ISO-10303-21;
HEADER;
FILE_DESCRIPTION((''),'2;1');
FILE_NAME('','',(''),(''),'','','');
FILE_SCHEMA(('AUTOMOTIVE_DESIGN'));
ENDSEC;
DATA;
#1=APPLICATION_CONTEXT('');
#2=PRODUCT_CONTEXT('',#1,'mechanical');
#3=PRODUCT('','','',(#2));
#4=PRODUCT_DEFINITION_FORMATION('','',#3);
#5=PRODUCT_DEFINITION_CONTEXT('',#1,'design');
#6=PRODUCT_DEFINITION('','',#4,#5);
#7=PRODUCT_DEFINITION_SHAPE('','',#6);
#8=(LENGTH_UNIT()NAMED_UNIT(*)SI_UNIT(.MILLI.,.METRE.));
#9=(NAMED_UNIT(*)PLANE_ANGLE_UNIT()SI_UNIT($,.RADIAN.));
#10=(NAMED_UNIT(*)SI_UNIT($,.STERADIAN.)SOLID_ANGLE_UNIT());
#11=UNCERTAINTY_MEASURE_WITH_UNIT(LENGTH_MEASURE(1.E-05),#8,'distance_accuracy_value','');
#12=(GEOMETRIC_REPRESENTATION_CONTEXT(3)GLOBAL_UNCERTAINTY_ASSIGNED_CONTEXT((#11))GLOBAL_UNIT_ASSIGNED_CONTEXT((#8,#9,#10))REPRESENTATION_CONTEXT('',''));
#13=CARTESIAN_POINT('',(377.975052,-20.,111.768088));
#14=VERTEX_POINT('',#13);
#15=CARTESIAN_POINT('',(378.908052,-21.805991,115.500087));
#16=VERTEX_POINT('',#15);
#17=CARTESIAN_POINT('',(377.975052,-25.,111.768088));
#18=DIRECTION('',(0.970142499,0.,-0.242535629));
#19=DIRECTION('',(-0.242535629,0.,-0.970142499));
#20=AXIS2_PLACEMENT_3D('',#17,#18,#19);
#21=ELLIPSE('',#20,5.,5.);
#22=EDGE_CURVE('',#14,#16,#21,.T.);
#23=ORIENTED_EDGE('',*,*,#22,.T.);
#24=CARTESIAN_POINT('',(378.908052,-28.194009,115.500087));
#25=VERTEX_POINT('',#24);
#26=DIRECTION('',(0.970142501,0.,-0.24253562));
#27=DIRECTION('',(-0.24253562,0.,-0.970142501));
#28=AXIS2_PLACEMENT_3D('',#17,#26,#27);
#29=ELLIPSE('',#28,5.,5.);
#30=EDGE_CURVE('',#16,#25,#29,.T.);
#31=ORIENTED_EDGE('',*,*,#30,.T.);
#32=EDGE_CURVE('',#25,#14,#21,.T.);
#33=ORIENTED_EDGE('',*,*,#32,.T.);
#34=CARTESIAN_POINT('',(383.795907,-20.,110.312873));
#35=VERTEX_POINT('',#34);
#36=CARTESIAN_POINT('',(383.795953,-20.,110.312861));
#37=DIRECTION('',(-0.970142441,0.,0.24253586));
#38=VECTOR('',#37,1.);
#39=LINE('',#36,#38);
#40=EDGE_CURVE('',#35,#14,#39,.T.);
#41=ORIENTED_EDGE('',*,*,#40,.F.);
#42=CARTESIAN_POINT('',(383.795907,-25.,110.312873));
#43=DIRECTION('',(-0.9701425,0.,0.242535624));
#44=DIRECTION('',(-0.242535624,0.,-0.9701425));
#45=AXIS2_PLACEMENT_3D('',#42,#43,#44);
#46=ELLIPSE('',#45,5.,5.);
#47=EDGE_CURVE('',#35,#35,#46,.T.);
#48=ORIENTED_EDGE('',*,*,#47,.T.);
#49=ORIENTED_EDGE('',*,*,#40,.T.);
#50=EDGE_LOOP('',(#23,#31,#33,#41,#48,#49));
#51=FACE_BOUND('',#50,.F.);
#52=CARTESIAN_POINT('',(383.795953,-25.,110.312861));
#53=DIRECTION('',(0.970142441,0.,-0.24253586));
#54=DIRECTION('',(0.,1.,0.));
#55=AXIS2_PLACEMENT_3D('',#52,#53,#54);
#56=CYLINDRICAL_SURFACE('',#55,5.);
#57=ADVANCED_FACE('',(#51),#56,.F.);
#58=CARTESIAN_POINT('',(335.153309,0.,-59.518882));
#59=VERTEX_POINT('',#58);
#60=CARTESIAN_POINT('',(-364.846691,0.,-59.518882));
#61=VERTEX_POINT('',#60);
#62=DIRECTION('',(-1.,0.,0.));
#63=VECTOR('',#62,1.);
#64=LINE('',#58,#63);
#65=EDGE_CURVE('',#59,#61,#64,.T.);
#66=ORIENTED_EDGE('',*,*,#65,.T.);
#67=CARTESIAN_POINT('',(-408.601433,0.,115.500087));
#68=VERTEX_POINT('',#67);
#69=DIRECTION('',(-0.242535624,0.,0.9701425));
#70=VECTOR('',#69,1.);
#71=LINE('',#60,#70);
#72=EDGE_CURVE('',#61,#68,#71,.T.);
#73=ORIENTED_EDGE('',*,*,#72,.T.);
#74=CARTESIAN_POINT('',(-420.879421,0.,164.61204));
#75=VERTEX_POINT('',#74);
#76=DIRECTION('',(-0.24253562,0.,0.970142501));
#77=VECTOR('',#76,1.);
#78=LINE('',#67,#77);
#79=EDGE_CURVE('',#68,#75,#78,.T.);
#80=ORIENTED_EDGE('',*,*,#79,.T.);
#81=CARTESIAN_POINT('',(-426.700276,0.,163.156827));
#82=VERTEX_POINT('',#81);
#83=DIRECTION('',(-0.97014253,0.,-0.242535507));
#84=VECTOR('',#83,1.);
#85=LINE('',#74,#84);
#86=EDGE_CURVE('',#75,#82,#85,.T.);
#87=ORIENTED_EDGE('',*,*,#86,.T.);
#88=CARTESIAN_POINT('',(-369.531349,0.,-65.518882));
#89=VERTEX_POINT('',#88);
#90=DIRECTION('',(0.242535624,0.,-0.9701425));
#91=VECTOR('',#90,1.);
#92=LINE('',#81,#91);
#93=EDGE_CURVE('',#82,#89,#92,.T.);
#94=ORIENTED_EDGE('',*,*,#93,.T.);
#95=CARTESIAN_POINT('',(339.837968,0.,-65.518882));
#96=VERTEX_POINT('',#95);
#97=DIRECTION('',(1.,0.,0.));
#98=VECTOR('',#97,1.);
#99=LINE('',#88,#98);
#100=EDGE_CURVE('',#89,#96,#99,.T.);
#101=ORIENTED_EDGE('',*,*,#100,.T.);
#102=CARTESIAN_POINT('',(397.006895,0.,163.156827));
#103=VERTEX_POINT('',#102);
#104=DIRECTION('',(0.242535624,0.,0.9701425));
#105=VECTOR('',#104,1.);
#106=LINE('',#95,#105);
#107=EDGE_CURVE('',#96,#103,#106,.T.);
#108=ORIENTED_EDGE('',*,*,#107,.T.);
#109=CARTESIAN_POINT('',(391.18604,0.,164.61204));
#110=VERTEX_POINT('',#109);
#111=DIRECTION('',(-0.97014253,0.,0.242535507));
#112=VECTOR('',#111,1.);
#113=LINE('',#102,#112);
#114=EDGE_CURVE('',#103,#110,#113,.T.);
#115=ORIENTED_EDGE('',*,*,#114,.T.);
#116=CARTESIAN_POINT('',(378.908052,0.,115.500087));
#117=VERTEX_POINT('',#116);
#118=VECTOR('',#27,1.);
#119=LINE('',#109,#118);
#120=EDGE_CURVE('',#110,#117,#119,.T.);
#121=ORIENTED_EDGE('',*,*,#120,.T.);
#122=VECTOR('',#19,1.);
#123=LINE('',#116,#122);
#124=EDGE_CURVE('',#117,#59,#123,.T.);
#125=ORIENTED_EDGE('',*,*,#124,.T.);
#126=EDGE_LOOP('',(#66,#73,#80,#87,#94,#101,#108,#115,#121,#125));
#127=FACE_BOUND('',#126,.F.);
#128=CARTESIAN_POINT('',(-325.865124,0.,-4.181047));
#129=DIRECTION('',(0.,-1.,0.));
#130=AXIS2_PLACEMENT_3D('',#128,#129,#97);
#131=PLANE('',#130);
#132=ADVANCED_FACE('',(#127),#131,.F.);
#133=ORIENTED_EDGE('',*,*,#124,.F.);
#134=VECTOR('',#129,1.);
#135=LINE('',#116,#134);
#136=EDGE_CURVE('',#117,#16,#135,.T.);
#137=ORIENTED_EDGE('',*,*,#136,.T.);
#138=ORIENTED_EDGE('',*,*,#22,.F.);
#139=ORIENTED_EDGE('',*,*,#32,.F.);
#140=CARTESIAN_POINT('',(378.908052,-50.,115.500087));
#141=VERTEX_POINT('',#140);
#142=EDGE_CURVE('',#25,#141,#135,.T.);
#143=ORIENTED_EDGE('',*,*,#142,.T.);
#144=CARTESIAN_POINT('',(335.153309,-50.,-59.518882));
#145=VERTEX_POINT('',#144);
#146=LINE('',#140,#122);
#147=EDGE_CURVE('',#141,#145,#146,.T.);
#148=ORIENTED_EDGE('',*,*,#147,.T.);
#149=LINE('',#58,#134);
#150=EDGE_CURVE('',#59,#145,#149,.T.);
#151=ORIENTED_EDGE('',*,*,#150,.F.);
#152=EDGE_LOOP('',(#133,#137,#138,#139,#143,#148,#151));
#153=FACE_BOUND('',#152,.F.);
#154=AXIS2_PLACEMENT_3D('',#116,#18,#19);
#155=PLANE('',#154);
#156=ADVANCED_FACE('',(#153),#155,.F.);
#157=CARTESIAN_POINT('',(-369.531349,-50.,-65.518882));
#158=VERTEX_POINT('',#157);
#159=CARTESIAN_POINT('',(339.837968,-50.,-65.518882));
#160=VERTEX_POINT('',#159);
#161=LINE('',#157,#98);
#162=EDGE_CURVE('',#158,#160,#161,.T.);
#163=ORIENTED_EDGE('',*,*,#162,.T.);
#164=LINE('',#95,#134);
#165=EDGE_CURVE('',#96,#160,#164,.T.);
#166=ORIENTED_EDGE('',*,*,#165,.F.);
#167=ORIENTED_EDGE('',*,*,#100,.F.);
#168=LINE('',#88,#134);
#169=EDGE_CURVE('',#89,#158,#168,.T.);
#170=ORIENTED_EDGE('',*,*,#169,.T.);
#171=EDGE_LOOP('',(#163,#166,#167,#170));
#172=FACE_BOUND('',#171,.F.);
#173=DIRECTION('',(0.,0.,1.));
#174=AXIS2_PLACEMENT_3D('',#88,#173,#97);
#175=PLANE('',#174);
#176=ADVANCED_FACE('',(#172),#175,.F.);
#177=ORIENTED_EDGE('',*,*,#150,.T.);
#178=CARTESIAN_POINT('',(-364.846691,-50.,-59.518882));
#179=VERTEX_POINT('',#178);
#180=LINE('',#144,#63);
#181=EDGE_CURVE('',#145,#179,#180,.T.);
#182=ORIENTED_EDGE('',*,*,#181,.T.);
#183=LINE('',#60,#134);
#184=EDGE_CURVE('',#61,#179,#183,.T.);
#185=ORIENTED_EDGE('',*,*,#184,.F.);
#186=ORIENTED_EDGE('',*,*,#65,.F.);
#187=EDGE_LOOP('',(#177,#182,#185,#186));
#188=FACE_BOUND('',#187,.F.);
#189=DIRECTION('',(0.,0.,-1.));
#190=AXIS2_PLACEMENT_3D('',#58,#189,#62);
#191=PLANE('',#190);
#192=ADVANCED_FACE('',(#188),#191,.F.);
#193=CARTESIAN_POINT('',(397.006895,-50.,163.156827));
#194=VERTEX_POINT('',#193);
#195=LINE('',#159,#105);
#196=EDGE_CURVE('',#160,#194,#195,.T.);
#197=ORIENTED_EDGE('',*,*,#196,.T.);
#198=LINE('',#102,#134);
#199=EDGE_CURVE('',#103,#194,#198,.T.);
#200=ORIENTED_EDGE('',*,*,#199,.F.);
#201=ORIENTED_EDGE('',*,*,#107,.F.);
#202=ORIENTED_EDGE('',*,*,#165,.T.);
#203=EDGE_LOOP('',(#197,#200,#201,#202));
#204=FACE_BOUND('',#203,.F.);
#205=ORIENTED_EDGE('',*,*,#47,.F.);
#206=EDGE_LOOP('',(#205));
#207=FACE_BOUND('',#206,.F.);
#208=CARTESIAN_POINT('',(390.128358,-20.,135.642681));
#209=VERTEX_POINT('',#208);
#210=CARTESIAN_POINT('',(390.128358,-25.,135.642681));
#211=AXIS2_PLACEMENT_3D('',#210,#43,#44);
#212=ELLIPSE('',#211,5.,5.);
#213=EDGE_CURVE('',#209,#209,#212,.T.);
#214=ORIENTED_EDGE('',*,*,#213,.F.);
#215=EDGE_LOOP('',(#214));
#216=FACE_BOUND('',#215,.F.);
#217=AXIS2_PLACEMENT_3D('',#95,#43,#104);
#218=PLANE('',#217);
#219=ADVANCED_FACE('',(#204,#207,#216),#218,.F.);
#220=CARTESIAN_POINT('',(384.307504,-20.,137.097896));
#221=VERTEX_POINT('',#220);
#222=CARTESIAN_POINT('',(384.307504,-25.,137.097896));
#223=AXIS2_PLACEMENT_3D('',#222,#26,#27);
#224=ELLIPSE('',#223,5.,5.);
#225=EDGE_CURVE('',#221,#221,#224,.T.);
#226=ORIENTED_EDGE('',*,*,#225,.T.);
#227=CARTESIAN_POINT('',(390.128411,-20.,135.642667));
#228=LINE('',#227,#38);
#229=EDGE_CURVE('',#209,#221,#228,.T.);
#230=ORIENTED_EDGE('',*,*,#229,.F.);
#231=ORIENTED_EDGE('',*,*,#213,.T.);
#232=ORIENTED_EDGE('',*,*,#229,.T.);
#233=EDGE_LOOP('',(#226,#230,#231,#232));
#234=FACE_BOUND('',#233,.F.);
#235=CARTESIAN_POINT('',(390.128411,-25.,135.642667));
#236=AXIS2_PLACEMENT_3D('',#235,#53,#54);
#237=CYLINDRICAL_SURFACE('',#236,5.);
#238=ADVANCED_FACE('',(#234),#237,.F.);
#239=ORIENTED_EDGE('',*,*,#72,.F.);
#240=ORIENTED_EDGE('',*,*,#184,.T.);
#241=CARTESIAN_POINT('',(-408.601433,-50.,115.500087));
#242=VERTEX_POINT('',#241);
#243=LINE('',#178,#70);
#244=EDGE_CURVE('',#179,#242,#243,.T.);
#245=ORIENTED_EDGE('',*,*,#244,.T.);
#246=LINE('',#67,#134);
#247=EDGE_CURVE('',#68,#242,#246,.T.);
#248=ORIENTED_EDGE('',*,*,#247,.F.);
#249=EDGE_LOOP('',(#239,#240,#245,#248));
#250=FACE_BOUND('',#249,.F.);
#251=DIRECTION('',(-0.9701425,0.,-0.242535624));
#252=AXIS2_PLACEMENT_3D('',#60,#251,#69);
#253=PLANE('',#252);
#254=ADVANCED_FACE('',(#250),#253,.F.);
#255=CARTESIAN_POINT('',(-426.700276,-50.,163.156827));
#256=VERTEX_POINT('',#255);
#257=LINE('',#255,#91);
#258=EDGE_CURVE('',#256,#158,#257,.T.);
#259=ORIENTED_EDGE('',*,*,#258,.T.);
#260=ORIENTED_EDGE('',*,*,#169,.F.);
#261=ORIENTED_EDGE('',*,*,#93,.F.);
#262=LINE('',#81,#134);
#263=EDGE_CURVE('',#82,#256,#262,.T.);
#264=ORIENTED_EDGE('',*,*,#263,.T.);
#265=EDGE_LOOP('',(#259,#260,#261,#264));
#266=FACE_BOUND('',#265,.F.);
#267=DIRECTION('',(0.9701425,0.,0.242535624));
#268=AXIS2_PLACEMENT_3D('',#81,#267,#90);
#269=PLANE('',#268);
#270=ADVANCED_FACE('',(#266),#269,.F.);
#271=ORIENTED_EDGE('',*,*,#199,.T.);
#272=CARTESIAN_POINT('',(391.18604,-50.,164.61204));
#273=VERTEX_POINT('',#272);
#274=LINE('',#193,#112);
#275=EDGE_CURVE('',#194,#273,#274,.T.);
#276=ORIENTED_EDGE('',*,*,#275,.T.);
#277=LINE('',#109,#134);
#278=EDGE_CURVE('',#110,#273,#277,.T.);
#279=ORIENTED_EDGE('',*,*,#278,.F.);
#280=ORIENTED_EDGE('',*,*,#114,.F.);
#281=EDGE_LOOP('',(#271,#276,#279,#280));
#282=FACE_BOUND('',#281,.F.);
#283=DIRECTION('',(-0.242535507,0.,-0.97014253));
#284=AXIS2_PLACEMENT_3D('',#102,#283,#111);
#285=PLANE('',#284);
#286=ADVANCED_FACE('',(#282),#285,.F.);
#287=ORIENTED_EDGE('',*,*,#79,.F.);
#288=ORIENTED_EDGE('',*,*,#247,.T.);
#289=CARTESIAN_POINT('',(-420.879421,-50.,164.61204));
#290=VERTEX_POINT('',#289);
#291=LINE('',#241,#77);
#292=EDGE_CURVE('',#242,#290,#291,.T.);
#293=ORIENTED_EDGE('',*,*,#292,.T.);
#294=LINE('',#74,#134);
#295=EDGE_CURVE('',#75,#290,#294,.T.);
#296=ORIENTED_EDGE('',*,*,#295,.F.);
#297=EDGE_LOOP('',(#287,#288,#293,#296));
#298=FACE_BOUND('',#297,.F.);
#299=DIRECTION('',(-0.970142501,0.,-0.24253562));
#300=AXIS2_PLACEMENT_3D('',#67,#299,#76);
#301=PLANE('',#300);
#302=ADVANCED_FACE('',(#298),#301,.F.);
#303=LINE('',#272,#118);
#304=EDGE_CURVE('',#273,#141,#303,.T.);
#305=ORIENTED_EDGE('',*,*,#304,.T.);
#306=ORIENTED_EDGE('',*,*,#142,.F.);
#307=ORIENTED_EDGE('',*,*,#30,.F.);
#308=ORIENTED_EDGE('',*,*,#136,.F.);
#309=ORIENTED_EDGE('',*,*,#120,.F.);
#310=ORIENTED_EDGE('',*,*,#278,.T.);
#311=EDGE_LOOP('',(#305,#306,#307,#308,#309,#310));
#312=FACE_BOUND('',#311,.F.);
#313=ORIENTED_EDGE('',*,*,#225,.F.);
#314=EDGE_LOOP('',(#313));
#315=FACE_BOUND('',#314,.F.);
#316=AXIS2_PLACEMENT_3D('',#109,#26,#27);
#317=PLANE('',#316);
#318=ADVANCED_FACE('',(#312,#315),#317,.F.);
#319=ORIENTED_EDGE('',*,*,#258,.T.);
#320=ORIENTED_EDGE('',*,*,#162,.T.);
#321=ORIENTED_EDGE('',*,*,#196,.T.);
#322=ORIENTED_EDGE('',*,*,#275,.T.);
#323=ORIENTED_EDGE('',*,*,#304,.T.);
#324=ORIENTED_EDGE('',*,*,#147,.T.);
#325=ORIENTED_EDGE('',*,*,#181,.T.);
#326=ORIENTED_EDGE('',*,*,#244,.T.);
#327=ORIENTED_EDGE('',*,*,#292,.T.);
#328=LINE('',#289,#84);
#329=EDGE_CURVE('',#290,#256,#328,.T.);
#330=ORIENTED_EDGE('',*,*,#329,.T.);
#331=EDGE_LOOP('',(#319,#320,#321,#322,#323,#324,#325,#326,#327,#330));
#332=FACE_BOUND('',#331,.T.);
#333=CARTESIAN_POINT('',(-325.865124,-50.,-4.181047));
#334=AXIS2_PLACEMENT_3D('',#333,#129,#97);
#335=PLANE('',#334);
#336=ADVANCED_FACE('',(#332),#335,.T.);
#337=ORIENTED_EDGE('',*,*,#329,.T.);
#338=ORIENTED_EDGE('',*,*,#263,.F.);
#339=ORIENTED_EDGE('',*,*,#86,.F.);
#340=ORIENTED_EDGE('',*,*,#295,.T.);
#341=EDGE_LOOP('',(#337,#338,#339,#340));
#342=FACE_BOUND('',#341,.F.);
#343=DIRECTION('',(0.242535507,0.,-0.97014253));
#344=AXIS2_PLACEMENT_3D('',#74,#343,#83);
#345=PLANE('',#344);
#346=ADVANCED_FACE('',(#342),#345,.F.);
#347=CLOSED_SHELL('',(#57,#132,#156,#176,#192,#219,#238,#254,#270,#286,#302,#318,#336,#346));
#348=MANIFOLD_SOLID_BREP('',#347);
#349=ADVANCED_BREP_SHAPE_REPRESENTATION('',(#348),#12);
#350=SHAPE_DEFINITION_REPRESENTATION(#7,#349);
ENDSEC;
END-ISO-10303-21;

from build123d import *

# Parameters (mm, degrees)
F1_DEPTH = 50
F2_R     = 5
F3_DEPTH = 149


with BuildPart() as f1:
    # F0 (on Front) → F1 (new body)
    with BuildSketch(Plane.XZ):
        Polygon((-142.267644, -59.518882), (-364.846691, -59.518882), (-408.601433, 115.500087), (-420.879421, 164.61204), (-426.700276, 163.156827), (-369.531349, -65.518882), (-142.267644, -65.518882), align=None)
        Polygon((335.153309, -59.518882), (-142.267644, -59.518882), (-142.267644, -65.518882), (339.837968, -65.518882), (397.006895, 163.156827), (391.18604, 164.61204), (378.908052, 115.500087), align=None)
    extrude(amount=F1_DEPTH)

    # F2 (on face) → F3 (cut)
    with BuildSketch(Plane(origin=(335.263706, 0, -83.815927), x_dir=(0, 1, 0), z_dir=(0.970143, 0, -0.242536))):
        with Locations((-25, 226.212755)):
            Circle(F2_R)
        with Locations((-25, 200.103387)):
            Circle(F2_R)
    extrude(amount=-F3_DEPTH, mode=Mode.SUBTRACT)


solid = f1.part
